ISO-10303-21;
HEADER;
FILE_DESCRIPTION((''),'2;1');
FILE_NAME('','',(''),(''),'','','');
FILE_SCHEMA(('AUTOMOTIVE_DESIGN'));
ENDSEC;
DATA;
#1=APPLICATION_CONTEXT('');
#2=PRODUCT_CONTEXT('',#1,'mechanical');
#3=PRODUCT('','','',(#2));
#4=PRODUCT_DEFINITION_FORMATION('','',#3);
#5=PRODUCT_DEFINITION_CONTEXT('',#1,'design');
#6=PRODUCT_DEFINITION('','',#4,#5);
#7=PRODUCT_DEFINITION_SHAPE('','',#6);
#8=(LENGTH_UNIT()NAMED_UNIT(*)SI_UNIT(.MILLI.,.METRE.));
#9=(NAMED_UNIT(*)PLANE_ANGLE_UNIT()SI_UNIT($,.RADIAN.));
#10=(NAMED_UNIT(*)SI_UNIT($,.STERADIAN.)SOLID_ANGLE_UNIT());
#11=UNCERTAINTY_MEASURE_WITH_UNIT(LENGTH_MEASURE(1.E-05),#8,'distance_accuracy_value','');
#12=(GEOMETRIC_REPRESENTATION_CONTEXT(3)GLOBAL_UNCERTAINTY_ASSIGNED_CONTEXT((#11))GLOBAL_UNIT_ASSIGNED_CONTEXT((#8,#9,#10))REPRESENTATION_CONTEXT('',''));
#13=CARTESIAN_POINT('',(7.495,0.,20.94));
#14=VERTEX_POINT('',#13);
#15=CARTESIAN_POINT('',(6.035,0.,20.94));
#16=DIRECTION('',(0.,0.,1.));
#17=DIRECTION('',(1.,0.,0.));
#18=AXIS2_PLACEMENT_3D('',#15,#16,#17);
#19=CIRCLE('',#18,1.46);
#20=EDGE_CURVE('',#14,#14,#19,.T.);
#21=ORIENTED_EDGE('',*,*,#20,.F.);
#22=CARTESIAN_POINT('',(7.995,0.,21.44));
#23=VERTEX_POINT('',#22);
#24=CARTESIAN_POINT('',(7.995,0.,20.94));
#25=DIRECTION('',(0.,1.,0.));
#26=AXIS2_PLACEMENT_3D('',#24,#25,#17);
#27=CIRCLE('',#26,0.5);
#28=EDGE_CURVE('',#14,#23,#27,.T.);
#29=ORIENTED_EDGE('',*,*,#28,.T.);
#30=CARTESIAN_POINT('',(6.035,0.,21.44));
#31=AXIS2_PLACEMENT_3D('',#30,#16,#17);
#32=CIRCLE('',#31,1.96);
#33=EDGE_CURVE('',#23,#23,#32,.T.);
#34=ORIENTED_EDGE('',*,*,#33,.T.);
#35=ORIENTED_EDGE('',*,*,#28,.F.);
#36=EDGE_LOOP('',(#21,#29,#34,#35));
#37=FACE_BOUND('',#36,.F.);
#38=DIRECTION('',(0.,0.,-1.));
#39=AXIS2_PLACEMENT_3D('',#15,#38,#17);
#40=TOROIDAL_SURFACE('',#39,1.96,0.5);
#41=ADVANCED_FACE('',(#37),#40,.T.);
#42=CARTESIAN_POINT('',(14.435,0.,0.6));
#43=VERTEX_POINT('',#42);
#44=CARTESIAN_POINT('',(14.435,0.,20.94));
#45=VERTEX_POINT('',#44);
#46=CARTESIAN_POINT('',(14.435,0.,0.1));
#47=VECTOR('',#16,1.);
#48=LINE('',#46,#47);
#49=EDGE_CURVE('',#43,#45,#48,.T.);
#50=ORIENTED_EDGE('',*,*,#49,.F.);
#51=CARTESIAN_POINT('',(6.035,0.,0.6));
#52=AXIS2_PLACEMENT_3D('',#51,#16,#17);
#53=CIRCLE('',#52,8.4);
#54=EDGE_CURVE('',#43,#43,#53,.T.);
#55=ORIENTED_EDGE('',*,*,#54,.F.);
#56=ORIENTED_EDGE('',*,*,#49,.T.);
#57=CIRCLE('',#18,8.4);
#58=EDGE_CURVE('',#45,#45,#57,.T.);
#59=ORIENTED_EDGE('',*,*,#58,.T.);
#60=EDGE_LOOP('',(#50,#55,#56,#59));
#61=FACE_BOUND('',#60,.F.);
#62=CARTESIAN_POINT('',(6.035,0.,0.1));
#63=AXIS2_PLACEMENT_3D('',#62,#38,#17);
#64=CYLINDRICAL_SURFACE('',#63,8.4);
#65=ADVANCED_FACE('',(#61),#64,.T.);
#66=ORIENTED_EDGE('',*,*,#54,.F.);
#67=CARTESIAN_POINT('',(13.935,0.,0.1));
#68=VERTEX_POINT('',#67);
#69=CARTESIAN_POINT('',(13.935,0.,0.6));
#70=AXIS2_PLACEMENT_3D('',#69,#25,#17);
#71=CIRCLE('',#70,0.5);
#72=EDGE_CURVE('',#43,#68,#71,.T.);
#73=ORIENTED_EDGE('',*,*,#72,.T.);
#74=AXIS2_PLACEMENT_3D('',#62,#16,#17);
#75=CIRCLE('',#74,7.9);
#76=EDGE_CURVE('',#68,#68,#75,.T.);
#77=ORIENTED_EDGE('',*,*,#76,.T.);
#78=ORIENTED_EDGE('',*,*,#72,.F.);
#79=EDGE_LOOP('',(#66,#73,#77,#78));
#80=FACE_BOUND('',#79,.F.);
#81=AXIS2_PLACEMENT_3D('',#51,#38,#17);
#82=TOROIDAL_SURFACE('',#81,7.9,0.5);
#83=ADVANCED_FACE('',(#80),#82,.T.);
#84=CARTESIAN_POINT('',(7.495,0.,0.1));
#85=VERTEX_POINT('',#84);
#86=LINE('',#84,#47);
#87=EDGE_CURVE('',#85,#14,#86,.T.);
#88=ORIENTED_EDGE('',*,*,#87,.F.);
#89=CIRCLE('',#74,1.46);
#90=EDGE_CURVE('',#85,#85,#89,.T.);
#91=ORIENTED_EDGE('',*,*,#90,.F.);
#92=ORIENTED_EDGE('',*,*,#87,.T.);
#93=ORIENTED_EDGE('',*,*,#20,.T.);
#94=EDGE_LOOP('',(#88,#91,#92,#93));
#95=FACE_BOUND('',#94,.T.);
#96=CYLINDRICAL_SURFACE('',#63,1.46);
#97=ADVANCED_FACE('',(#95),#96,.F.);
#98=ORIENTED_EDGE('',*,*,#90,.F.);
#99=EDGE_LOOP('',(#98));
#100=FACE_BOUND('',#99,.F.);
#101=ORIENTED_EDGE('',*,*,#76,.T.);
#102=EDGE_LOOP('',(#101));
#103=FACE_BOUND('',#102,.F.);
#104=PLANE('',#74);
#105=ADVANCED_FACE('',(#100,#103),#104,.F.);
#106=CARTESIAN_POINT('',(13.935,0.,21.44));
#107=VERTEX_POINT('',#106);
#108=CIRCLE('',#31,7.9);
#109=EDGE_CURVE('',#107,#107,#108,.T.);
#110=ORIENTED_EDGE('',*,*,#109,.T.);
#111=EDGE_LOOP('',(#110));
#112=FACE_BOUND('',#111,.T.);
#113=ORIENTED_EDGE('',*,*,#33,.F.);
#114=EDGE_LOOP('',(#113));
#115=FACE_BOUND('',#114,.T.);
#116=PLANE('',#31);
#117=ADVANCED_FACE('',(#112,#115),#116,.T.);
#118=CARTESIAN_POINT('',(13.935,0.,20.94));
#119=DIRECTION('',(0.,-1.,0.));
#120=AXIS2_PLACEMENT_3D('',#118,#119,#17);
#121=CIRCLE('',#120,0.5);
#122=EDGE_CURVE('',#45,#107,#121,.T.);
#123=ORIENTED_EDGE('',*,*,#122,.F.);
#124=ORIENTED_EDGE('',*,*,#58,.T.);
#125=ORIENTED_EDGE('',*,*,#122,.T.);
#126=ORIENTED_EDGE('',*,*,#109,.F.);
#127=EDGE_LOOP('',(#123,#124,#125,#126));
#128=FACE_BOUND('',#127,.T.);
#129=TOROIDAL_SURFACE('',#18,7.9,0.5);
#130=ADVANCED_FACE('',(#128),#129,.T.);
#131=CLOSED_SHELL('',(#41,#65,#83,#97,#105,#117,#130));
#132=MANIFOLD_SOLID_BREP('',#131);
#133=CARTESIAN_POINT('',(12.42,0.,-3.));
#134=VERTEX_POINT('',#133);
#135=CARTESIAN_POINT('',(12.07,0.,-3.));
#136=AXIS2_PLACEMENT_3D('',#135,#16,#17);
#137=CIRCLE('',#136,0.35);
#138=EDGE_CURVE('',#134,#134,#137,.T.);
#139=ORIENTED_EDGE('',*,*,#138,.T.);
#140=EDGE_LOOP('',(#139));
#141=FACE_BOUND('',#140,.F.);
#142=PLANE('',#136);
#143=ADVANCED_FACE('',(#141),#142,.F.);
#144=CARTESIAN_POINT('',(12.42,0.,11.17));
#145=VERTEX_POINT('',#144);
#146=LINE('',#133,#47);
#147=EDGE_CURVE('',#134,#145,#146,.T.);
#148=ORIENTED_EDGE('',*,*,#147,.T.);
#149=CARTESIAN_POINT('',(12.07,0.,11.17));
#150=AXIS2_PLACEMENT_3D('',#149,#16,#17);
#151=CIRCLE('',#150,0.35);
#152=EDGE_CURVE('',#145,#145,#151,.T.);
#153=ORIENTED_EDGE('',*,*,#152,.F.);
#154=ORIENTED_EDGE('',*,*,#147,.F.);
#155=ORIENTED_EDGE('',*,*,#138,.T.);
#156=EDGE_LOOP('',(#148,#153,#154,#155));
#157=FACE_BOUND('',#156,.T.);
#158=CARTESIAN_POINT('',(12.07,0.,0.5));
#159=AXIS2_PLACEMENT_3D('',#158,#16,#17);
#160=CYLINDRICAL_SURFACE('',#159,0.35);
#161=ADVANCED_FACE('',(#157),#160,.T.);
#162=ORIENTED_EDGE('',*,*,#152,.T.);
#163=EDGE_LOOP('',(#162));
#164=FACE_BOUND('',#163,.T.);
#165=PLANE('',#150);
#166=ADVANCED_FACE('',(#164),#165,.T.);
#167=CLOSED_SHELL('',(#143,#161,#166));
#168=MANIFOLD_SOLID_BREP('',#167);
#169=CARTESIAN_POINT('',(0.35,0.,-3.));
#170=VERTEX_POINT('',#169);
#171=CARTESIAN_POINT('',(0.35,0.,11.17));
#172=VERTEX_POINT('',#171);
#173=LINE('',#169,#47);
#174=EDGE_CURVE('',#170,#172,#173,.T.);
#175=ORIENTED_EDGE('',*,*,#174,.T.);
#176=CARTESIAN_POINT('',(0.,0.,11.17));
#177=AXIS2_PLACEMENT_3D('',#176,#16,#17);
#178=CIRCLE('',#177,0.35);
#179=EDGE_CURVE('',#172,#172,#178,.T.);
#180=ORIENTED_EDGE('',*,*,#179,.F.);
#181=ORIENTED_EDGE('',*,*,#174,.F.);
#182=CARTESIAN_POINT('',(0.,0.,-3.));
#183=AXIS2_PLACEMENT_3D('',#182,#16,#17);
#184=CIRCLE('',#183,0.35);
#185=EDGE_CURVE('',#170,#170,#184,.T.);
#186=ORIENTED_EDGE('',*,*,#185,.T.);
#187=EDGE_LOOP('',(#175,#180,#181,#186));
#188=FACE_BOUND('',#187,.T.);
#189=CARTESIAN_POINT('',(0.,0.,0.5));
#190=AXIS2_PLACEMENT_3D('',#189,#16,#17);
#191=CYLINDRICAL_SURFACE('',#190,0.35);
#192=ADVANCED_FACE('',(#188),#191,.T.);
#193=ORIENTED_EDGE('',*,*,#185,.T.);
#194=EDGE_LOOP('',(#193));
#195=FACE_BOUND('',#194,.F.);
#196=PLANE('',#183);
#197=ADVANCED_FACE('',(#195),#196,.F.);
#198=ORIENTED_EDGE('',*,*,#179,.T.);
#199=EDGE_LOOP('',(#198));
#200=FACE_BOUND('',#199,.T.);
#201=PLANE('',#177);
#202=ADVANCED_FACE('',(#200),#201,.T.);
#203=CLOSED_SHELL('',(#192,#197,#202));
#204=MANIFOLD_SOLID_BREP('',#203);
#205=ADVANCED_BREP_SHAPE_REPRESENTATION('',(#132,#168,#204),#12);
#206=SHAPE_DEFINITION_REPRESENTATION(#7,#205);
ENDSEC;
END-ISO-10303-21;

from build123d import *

# Parameters (mm, degrees)
SKETCH001_R       = 0.35
PAD001_DEPTH      = 10.67
PAD001_DEPTH_BACK = 3.5
SKETCH_R          = 8.4
SKETCH_R_2        = 1.46
PAD_DEPTH         = 21.34
FILLET_R          = 0.5


with BuildPart() as pad001:
    # Sketch001 → Pad001 (new body, two sides)
    with BuildSketch(Plane.XY.offset(0.5)) as pad001_sk:
        Circle(SKETCH001_R)
        with Locations((12.07, 0)):
            Circle(SKETCH001_R)
    extrude(amount=PAD001_DEPTH)
    extrude(pad001_sk.sketch, amount=-PAD001_DEPTH_BACK)


with BuildPart() as fillet_body:
    # Sketch → Pad (new body)
    with BuildSketch(Plane.XY.offset(0.1)):
        with Locations((6.035, 0)):
            Circle(SKETCH_R)
        with Locations((6.035, 0)):
            Circle(SKETCH_R_2, mode=Mode.SUBTRACT)
    extrude(amount=PAD_DEPTH)

    # Fillet
    fillet_edges = [fillet_body.edges().sort_by_distance(p)[0] for p in [
        (4.575, 0, 21.44),
        (-2.365, 0, 21.44),
        (-2.365, 0, 0.1),
    ]]
    fillet(fillet_edges, radius=FILLET_R)


solid = Compound([pad001.part, fillet_body.part])
